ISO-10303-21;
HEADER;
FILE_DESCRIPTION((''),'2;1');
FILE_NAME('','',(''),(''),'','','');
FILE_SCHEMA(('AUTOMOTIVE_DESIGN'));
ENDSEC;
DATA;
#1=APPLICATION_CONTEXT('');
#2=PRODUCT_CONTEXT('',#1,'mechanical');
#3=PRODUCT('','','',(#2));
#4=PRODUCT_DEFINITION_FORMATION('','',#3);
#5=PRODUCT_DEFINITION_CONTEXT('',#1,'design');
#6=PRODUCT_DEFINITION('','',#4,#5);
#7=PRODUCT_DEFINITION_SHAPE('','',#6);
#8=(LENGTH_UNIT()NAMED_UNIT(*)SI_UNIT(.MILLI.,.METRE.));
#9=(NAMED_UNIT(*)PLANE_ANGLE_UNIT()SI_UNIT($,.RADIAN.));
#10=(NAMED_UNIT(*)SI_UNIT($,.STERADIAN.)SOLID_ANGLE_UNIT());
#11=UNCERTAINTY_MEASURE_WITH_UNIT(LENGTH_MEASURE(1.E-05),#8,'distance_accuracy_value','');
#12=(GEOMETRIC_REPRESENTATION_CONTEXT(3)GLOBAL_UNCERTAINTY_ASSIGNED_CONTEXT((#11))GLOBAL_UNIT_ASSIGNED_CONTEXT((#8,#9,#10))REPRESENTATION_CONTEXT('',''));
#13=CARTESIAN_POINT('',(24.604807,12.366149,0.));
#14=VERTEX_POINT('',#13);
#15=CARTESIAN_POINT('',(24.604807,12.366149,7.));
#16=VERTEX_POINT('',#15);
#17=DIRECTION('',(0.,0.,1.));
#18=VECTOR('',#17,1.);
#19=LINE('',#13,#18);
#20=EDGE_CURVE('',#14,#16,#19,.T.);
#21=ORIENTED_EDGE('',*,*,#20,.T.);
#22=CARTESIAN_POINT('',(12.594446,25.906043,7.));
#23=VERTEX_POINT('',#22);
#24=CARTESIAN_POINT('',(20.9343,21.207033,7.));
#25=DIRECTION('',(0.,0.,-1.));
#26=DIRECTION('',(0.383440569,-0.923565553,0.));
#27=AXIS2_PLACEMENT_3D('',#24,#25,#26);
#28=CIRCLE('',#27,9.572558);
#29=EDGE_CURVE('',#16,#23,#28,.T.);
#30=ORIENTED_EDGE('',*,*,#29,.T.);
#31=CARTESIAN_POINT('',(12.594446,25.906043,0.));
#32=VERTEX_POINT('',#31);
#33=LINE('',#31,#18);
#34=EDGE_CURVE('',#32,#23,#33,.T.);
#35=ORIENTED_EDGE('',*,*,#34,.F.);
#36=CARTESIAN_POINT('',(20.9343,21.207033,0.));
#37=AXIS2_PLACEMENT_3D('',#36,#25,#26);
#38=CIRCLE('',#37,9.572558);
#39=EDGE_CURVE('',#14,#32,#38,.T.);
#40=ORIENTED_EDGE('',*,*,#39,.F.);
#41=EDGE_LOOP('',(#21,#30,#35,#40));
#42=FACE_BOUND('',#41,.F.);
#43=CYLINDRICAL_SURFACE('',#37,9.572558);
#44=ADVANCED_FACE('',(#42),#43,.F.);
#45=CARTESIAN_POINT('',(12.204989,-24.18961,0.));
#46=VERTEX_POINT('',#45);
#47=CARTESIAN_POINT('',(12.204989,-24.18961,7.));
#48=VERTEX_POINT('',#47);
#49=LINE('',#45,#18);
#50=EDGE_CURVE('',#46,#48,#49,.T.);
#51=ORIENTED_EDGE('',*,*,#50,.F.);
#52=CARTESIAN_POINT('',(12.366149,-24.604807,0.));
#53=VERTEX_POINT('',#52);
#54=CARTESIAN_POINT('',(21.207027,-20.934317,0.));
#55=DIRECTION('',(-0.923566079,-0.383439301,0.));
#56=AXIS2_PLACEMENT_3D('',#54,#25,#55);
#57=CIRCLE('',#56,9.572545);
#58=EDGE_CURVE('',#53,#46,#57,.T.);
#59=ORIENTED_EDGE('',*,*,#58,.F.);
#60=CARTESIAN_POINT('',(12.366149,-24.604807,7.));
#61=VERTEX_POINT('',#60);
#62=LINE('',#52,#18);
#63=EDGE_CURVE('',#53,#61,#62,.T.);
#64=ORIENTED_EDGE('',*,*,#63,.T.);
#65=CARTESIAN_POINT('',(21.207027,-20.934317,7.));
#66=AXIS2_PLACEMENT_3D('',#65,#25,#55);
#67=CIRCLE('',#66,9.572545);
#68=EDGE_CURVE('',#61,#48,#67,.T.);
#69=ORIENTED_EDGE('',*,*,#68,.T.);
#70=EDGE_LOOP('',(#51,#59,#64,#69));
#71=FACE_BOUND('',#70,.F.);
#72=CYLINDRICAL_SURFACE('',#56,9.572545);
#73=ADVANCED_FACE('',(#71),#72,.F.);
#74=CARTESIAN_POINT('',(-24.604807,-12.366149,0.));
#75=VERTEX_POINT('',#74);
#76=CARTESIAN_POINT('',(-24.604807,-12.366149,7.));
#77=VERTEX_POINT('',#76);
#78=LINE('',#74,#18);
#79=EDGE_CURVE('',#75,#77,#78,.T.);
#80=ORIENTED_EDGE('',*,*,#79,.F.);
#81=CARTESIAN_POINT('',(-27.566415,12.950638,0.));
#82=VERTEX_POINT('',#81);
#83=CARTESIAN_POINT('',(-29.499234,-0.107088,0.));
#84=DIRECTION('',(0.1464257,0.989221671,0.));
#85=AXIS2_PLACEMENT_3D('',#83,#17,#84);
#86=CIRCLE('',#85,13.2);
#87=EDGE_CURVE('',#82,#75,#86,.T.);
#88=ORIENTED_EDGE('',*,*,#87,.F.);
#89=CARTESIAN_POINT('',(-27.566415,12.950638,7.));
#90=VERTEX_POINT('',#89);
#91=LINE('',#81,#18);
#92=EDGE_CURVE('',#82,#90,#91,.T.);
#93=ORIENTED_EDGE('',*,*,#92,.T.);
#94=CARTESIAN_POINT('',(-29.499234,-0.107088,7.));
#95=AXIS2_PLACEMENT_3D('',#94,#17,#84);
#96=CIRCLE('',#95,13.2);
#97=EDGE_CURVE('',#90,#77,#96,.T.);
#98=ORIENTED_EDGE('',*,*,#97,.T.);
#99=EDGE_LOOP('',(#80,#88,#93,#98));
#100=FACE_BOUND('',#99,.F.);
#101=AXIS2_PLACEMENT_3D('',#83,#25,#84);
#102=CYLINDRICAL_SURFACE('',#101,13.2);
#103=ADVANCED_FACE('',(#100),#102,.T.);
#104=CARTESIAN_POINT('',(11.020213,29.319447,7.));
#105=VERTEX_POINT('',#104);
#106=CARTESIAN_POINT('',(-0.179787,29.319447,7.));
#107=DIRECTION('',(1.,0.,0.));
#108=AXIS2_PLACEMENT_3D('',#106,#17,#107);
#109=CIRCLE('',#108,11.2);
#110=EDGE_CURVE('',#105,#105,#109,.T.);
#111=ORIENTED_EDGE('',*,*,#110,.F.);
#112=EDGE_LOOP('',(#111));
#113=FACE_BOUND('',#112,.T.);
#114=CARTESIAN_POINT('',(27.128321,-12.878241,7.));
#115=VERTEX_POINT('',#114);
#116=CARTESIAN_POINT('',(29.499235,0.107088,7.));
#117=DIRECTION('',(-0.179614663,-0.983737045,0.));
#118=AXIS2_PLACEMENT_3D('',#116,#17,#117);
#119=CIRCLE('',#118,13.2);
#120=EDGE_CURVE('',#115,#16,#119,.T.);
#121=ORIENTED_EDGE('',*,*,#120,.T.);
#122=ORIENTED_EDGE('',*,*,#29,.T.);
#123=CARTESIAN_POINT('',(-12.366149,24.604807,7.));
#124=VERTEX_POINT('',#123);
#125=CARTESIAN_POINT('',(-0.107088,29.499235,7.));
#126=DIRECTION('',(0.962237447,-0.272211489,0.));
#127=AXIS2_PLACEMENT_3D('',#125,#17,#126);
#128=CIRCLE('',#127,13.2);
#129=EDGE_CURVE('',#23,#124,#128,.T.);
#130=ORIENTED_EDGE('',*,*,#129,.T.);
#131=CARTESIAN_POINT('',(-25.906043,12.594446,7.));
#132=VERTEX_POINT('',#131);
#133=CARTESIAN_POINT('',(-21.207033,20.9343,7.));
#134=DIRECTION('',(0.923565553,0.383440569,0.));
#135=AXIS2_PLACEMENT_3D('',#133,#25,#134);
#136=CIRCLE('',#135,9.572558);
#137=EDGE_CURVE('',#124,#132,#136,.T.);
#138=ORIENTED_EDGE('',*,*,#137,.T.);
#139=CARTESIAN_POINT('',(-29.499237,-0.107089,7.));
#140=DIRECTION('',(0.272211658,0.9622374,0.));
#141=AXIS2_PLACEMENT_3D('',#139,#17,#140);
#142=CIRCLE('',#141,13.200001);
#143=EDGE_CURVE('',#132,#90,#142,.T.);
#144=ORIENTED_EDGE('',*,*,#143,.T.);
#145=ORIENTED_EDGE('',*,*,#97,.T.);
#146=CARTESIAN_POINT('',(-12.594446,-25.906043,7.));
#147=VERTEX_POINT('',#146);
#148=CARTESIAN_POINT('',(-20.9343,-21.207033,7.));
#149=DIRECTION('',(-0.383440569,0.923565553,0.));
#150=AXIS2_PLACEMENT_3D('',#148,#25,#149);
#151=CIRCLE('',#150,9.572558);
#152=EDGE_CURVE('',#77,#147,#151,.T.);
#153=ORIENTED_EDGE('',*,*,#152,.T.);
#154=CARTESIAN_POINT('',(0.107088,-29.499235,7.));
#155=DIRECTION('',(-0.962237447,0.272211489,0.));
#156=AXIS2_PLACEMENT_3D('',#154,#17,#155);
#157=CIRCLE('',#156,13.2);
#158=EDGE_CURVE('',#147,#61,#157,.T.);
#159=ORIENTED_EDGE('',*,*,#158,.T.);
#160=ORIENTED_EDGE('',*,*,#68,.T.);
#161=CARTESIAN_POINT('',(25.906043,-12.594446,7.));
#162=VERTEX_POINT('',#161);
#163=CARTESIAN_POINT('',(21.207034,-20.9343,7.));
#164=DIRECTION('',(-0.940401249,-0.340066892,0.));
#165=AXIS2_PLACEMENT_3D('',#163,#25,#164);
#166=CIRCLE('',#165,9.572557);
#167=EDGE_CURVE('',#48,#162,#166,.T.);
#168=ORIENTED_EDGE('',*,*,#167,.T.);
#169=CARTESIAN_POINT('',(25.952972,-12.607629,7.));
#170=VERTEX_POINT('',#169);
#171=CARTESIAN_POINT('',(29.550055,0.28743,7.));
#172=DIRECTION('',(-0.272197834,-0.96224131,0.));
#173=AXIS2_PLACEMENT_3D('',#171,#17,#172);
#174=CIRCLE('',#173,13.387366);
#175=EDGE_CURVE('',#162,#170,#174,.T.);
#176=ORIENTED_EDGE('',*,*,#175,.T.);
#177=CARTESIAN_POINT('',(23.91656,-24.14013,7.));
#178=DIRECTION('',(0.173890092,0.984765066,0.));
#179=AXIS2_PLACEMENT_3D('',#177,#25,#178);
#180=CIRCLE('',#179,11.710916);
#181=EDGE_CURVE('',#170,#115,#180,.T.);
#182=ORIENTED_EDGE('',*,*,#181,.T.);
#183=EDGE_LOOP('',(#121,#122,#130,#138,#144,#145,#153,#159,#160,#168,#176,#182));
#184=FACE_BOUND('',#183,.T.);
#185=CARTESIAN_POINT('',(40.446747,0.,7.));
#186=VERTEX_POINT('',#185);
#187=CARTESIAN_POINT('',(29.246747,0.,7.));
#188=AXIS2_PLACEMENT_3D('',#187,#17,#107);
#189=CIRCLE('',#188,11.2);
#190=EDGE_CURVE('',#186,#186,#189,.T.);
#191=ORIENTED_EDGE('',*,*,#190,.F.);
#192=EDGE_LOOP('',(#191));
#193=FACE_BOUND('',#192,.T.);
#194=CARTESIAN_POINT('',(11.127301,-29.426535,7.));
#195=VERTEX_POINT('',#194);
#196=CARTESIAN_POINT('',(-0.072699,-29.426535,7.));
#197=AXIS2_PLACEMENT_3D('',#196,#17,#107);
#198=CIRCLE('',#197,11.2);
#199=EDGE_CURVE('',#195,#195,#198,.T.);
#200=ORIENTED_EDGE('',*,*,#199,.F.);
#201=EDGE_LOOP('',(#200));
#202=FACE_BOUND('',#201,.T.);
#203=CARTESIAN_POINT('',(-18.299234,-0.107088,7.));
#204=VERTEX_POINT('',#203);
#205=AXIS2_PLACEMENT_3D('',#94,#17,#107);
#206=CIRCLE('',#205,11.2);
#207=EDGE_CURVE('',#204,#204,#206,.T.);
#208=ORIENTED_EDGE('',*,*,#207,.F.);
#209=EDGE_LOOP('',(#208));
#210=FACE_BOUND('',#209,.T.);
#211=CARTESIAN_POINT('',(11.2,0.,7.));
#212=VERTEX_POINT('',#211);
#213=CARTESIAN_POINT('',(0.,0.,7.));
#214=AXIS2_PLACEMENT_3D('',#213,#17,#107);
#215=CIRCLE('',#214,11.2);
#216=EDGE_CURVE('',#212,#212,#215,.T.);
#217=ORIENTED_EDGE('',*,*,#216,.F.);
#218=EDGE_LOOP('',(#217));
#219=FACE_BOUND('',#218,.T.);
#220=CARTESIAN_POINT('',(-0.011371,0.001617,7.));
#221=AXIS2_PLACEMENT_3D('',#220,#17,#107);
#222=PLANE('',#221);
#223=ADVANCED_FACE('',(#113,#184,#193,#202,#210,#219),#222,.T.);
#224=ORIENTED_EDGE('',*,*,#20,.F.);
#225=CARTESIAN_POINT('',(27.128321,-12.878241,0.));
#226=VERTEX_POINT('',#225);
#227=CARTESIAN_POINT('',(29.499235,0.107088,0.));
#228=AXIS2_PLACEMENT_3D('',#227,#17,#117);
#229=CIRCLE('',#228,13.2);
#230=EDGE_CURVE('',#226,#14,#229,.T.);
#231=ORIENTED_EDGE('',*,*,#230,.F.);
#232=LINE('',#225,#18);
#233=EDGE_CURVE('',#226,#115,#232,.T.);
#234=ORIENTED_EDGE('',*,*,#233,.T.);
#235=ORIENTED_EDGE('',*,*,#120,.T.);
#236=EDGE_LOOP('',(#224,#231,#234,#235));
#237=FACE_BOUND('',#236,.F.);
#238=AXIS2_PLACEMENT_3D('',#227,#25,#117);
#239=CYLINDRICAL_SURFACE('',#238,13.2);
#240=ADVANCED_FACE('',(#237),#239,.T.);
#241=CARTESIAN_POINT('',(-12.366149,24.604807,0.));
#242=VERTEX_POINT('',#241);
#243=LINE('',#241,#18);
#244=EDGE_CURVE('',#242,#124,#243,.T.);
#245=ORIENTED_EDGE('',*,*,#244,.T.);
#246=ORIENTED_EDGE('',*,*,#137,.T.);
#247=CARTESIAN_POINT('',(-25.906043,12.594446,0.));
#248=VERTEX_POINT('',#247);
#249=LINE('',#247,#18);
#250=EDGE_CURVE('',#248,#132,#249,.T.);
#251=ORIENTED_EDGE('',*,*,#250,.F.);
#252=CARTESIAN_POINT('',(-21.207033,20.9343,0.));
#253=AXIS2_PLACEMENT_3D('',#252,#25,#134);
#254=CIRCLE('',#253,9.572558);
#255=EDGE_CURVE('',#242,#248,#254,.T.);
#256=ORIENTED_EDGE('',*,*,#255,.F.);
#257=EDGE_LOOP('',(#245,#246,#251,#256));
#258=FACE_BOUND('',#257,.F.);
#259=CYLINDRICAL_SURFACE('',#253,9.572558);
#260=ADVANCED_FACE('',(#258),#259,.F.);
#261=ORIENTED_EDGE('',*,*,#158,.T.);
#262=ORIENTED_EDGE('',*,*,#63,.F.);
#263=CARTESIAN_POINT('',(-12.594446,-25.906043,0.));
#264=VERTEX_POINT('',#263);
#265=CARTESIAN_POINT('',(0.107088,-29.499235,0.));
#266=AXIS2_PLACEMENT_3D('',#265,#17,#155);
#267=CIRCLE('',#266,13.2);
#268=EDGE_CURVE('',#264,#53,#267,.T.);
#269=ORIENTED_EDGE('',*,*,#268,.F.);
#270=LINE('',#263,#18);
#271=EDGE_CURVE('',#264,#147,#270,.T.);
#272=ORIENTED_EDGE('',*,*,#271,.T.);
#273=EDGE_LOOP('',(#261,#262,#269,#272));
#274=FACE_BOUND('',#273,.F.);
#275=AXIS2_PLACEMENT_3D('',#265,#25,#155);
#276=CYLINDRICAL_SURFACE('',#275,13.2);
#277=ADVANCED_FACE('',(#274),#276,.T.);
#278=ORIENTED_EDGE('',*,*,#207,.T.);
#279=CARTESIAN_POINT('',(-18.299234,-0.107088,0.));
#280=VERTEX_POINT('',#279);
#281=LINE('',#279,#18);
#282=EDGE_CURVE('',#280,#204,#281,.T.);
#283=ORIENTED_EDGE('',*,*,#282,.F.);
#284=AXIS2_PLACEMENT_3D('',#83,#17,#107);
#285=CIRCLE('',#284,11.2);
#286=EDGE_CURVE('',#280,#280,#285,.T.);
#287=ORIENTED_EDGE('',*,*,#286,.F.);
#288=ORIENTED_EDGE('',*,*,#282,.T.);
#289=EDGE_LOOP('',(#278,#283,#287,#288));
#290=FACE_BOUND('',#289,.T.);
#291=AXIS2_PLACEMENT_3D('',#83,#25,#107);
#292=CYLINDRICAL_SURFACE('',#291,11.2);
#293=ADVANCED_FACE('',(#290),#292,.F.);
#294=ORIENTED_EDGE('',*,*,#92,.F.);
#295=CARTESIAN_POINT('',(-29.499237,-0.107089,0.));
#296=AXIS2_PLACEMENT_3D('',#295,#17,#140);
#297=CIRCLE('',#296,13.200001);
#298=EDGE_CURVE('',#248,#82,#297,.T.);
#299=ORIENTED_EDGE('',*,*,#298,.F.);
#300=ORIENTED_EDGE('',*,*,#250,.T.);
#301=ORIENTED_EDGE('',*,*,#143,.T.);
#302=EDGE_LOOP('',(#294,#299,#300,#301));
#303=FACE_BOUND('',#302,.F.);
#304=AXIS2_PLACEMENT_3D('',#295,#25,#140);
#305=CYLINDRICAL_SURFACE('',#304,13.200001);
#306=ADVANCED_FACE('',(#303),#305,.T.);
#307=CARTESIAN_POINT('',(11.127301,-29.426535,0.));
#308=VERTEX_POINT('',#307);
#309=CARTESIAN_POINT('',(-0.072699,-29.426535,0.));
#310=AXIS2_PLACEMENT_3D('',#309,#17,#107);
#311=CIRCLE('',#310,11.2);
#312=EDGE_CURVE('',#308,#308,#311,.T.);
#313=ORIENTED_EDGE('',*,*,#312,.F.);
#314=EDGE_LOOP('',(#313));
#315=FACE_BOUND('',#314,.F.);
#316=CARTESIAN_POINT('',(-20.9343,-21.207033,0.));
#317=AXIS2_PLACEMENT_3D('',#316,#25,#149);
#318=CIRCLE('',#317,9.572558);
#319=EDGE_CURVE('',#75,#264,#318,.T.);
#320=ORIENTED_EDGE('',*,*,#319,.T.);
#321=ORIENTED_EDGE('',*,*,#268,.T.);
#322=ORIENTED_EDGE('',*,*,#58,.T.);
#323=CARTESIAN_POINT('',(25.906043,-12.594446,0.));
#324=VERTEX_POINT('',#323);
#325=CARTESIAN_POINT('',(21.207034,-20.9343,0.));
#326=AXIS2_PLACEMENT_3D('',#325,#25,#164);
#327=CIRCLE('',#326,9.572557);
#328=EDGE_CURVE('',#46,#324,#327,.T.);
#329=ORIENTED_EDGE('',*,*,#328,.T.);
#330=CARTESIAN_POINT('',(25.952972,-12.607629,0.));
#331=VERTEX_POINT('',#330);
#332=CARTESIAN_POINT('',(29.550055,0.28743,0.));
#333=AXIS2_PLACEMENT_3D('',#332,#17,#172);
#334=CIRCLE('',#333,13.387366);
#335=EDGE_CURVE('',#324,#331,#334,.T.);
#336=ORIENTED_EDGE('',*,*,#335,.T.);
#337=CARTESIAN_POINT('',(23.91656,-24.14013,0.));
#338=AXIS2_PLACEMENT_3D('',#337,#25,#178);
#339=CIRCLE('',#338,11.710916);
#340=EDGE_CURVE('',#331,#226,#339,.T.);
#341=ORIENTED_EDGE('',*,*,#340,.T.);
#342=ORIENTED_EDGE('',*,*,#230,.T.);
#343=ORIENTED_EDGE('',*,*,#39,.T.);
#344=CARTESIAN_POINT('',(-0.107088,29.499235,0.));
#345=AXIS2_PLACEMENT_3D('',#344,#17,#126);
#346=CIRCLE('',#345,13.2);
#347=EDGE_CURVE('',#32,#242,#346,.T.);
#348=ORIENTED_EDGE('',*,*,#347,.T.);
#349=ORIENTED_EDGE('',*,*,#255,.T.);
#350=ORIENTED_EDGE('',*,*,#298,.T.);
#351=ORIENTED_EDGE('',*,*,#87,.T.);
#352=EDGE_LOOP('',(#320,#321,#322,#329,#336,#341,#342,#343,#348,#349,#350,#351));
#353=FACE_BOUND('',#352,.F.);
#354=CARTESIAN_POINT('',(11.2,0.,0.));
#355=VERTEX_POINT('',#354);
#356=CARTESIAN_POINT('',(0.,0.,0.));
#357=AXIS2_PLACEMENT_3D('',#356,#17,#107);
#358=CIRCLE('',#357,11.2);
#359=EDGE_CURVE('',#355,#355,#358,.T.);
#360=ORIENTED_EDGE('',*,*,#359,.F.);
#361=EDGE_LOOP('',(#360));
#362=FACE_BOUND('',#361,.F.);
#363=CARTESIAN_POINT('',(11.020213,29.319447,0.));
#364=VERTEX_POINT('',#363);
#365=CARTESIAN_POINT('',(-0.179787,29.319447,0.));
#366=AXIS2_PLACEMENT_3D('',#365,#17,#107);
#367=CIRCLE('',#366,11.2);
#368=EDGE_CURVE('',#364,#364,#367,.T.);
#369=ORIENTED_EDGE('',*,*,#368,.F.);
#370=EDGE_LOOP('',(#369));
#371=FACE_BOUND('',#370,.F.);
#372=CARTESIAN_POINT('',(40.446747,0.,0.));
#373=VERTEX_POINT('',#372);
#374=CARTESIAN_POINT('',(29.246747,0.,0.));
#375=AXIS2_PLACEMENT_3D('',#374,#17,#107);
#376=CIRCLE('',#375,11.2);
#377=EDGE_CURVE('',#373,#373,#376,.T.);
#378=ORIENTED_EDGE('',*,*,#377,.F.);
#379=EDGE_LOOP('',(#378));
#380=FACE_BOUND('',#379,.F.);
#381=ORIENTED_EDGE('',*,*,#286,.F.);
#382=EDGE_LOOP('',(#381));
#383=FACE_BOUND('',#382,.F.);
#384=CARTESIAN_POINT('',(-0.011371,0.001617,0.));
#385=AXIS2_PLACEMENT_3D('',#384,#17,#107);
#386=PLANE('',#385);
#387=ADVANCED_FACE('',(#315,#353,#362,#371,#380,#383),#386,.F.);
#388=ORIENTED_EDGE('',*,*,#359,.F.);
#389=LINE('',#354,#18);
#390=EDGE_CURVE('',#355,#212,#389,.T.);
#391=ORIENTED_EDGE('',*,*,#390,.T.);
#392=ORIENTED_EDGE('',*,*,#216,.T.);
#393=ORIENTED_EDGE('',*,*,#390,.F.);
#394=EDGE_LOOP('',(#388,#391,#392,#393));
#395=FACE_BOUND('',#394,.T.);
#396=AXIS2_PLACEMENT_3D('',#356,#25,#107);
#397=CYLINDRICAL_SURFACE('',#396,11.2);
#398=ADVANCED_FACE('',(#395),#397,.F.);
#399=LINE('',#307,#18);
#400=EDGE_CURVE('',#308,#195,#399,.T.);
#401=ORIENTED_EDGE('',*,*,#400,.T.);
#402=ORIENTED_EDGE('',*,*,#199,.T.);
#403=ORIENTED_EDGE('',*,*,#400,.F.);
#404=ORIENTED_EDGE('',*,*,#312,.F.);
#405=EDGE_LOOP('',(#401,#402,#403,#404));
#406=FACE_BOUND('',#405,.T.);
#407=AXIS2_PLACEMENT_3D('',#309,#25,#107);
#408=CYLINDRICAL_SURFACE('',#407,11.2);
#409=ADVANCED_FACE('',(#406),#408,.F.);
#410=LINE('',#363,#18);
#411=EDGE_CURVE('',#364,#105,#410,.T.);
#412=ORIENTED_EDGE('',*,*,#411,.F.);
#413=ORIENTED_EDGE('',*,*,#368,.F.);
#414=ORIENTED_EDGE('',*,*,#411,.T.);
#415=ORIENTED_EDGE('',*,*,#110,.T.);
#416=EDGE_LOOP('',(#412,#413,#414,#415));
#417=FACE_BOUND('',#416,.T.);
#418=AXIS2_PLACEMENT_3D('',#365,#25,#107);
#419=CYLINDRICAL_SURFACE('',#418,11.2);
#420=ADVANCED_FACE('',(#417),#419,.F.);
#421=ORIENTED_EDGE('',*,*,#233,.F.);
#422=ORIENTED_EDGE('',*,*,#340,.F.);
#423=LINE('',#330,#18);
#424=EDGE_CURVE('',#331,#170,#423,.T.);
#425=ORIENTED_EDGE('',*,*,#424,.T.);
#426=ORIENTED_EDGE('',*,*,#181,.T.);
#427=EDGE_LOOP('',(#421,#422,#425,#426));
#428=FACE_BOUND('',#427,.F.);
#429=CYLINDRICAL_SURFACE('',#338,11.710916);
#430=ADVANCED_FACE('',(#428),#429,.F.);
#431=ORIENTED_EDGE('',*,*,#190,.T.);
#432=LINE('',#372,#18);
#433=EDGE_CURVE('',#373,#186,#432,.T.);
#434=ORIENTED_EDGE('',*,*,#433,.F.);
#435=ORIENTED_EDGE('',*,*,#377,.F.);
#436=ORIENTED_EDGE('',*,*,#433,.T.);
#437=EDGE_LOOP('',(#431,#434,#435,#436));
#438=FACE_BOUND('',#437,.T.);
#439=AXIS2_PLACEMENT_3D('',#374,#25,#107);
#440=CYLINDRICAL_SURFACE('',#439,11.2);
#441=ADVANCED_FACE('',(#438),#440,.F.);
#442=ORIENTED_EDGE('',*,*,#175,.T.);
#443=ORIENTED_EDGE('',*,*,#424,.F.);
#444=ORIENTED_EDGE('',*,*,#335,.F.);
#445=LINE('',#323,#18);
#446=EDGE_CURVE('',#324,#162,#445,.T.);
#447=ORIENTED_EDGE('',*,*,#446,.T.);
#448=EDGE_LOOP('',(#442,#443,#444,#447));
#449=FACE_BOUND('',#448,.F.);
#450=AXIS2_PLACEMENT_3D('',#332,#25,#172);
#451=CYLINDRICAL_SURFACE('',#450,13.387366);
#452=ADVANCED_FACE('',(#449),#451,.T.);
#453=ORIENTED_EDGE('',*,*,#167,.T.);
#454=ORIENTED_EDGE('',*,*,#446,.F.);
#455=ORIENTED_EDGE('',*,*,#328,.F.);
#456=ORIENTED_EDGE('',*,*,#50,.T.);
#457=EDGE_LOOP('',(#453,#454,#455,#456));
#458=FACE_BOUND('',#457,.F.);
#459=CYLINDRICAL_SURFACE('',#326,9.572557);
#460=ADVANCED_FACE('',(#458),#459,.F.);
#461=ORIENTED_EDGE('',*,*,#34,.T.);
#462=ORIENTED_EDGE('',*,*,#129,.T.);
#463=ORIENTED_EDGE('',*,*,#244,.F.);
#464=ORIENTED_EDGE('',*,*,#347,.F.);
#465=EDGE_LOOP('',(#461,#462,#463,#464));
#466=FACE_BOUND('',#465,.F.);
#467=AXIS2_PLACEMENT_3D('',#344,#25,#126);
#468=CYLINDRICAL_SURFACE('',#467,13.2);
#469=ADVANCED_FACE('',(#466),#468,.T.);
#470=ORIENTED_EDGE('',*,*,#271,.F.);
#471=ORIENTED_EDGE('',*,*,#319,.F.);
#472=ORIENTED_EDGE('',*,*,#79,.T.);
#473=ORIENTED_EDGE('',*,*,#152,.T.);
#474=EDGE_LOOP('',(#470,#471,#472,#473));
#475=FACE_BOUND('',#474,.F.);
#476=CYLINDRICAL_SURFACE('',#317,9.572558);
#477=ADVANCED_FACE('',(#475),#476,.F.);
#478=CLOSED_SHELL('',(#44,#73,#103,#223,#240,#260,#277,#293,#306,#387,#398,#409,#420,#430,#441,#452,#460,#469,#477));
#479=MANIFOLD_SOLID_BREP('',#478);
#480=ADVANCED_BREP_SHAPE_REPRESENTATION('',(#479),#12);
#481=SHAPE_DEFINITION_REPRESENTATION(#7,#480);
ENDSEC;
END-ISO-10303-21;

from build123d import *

# Parameters (mm, degrees)
F0_R     = 11.2
F1_DEPTH = 7


with BuildPart() as f1:
    # F0 (on Top) → F1 (new body)
    with BuildSketch(Plane.XY):
        with BuildLine():
            ThreePointArc((-12.366149, 24.604807), (-14.854792, 13.773093), (-25.906043, 12.594446))
            ThreePointArc((-25.906043, 12.594446), (-26.730495, 12.79927), (-27.566415, 12.950638))
            ThreePointArc((-27.566415, 12.950638), (-42.609831, -1.640792), (-24.604807, -12.366149))
            ThreePointArc((-24.604807, -12.366149), (-13.773093, -14.854792), (-12.594446, -25.906043))
            ThreePointArc((-12.594446, -25.906043), (0.794293, -42.681334), (12.366149, -24.604807))
            ThreePointArc((12.366149, -24.604807), (12.283154, -24.398146), (12.204989, -24.18961))
            ThreePointArc((12.204989, -24.18961), (15.023104, -13.627258), (25.906043, -12.594446))
            ThreePointArc((25.906043, -12.594446), (25.929502, -12.601059), (25.952972, -12.607629))
            ThreePointArc((25.952972, -12.607629), (26.544133, -12.727794), (27.128321, -12.878241))
            ThreePointArc((27.128321, -12.878241), (42.633773, 1.420061), (24.604807, 12.366149))
            ThreePointArc((24.604807, 12.366149), (13.773093, 14.854792), (12.594446, 25.906043))
            ThreePointArc((12.594446, 25.906043), (-0.794293, 42.681334), (-12.366149, 24.604807))
        make_face()
        with Locations((-0.072699, -29.426535)):
            Circle(F0_R, mode=Mode.SUBTRACT)
        with Locations((-29.499234, -0.107088)):
            Circle(F0_R, mode=Mode.SUBTRACT)
        with Locations((-0.179787, 29.319447)):
            Circle(F0_R, mode=Mode.SUBTRACT)
        Circle(F0_R, mode=Mode.SUBTRACT)
        with Locations((29.246747, 0)):
            Circle(F0_R, mode=Mode.SUBTRACT)
    extrude(amount=F1_DEPTH)


solid = f1.part
